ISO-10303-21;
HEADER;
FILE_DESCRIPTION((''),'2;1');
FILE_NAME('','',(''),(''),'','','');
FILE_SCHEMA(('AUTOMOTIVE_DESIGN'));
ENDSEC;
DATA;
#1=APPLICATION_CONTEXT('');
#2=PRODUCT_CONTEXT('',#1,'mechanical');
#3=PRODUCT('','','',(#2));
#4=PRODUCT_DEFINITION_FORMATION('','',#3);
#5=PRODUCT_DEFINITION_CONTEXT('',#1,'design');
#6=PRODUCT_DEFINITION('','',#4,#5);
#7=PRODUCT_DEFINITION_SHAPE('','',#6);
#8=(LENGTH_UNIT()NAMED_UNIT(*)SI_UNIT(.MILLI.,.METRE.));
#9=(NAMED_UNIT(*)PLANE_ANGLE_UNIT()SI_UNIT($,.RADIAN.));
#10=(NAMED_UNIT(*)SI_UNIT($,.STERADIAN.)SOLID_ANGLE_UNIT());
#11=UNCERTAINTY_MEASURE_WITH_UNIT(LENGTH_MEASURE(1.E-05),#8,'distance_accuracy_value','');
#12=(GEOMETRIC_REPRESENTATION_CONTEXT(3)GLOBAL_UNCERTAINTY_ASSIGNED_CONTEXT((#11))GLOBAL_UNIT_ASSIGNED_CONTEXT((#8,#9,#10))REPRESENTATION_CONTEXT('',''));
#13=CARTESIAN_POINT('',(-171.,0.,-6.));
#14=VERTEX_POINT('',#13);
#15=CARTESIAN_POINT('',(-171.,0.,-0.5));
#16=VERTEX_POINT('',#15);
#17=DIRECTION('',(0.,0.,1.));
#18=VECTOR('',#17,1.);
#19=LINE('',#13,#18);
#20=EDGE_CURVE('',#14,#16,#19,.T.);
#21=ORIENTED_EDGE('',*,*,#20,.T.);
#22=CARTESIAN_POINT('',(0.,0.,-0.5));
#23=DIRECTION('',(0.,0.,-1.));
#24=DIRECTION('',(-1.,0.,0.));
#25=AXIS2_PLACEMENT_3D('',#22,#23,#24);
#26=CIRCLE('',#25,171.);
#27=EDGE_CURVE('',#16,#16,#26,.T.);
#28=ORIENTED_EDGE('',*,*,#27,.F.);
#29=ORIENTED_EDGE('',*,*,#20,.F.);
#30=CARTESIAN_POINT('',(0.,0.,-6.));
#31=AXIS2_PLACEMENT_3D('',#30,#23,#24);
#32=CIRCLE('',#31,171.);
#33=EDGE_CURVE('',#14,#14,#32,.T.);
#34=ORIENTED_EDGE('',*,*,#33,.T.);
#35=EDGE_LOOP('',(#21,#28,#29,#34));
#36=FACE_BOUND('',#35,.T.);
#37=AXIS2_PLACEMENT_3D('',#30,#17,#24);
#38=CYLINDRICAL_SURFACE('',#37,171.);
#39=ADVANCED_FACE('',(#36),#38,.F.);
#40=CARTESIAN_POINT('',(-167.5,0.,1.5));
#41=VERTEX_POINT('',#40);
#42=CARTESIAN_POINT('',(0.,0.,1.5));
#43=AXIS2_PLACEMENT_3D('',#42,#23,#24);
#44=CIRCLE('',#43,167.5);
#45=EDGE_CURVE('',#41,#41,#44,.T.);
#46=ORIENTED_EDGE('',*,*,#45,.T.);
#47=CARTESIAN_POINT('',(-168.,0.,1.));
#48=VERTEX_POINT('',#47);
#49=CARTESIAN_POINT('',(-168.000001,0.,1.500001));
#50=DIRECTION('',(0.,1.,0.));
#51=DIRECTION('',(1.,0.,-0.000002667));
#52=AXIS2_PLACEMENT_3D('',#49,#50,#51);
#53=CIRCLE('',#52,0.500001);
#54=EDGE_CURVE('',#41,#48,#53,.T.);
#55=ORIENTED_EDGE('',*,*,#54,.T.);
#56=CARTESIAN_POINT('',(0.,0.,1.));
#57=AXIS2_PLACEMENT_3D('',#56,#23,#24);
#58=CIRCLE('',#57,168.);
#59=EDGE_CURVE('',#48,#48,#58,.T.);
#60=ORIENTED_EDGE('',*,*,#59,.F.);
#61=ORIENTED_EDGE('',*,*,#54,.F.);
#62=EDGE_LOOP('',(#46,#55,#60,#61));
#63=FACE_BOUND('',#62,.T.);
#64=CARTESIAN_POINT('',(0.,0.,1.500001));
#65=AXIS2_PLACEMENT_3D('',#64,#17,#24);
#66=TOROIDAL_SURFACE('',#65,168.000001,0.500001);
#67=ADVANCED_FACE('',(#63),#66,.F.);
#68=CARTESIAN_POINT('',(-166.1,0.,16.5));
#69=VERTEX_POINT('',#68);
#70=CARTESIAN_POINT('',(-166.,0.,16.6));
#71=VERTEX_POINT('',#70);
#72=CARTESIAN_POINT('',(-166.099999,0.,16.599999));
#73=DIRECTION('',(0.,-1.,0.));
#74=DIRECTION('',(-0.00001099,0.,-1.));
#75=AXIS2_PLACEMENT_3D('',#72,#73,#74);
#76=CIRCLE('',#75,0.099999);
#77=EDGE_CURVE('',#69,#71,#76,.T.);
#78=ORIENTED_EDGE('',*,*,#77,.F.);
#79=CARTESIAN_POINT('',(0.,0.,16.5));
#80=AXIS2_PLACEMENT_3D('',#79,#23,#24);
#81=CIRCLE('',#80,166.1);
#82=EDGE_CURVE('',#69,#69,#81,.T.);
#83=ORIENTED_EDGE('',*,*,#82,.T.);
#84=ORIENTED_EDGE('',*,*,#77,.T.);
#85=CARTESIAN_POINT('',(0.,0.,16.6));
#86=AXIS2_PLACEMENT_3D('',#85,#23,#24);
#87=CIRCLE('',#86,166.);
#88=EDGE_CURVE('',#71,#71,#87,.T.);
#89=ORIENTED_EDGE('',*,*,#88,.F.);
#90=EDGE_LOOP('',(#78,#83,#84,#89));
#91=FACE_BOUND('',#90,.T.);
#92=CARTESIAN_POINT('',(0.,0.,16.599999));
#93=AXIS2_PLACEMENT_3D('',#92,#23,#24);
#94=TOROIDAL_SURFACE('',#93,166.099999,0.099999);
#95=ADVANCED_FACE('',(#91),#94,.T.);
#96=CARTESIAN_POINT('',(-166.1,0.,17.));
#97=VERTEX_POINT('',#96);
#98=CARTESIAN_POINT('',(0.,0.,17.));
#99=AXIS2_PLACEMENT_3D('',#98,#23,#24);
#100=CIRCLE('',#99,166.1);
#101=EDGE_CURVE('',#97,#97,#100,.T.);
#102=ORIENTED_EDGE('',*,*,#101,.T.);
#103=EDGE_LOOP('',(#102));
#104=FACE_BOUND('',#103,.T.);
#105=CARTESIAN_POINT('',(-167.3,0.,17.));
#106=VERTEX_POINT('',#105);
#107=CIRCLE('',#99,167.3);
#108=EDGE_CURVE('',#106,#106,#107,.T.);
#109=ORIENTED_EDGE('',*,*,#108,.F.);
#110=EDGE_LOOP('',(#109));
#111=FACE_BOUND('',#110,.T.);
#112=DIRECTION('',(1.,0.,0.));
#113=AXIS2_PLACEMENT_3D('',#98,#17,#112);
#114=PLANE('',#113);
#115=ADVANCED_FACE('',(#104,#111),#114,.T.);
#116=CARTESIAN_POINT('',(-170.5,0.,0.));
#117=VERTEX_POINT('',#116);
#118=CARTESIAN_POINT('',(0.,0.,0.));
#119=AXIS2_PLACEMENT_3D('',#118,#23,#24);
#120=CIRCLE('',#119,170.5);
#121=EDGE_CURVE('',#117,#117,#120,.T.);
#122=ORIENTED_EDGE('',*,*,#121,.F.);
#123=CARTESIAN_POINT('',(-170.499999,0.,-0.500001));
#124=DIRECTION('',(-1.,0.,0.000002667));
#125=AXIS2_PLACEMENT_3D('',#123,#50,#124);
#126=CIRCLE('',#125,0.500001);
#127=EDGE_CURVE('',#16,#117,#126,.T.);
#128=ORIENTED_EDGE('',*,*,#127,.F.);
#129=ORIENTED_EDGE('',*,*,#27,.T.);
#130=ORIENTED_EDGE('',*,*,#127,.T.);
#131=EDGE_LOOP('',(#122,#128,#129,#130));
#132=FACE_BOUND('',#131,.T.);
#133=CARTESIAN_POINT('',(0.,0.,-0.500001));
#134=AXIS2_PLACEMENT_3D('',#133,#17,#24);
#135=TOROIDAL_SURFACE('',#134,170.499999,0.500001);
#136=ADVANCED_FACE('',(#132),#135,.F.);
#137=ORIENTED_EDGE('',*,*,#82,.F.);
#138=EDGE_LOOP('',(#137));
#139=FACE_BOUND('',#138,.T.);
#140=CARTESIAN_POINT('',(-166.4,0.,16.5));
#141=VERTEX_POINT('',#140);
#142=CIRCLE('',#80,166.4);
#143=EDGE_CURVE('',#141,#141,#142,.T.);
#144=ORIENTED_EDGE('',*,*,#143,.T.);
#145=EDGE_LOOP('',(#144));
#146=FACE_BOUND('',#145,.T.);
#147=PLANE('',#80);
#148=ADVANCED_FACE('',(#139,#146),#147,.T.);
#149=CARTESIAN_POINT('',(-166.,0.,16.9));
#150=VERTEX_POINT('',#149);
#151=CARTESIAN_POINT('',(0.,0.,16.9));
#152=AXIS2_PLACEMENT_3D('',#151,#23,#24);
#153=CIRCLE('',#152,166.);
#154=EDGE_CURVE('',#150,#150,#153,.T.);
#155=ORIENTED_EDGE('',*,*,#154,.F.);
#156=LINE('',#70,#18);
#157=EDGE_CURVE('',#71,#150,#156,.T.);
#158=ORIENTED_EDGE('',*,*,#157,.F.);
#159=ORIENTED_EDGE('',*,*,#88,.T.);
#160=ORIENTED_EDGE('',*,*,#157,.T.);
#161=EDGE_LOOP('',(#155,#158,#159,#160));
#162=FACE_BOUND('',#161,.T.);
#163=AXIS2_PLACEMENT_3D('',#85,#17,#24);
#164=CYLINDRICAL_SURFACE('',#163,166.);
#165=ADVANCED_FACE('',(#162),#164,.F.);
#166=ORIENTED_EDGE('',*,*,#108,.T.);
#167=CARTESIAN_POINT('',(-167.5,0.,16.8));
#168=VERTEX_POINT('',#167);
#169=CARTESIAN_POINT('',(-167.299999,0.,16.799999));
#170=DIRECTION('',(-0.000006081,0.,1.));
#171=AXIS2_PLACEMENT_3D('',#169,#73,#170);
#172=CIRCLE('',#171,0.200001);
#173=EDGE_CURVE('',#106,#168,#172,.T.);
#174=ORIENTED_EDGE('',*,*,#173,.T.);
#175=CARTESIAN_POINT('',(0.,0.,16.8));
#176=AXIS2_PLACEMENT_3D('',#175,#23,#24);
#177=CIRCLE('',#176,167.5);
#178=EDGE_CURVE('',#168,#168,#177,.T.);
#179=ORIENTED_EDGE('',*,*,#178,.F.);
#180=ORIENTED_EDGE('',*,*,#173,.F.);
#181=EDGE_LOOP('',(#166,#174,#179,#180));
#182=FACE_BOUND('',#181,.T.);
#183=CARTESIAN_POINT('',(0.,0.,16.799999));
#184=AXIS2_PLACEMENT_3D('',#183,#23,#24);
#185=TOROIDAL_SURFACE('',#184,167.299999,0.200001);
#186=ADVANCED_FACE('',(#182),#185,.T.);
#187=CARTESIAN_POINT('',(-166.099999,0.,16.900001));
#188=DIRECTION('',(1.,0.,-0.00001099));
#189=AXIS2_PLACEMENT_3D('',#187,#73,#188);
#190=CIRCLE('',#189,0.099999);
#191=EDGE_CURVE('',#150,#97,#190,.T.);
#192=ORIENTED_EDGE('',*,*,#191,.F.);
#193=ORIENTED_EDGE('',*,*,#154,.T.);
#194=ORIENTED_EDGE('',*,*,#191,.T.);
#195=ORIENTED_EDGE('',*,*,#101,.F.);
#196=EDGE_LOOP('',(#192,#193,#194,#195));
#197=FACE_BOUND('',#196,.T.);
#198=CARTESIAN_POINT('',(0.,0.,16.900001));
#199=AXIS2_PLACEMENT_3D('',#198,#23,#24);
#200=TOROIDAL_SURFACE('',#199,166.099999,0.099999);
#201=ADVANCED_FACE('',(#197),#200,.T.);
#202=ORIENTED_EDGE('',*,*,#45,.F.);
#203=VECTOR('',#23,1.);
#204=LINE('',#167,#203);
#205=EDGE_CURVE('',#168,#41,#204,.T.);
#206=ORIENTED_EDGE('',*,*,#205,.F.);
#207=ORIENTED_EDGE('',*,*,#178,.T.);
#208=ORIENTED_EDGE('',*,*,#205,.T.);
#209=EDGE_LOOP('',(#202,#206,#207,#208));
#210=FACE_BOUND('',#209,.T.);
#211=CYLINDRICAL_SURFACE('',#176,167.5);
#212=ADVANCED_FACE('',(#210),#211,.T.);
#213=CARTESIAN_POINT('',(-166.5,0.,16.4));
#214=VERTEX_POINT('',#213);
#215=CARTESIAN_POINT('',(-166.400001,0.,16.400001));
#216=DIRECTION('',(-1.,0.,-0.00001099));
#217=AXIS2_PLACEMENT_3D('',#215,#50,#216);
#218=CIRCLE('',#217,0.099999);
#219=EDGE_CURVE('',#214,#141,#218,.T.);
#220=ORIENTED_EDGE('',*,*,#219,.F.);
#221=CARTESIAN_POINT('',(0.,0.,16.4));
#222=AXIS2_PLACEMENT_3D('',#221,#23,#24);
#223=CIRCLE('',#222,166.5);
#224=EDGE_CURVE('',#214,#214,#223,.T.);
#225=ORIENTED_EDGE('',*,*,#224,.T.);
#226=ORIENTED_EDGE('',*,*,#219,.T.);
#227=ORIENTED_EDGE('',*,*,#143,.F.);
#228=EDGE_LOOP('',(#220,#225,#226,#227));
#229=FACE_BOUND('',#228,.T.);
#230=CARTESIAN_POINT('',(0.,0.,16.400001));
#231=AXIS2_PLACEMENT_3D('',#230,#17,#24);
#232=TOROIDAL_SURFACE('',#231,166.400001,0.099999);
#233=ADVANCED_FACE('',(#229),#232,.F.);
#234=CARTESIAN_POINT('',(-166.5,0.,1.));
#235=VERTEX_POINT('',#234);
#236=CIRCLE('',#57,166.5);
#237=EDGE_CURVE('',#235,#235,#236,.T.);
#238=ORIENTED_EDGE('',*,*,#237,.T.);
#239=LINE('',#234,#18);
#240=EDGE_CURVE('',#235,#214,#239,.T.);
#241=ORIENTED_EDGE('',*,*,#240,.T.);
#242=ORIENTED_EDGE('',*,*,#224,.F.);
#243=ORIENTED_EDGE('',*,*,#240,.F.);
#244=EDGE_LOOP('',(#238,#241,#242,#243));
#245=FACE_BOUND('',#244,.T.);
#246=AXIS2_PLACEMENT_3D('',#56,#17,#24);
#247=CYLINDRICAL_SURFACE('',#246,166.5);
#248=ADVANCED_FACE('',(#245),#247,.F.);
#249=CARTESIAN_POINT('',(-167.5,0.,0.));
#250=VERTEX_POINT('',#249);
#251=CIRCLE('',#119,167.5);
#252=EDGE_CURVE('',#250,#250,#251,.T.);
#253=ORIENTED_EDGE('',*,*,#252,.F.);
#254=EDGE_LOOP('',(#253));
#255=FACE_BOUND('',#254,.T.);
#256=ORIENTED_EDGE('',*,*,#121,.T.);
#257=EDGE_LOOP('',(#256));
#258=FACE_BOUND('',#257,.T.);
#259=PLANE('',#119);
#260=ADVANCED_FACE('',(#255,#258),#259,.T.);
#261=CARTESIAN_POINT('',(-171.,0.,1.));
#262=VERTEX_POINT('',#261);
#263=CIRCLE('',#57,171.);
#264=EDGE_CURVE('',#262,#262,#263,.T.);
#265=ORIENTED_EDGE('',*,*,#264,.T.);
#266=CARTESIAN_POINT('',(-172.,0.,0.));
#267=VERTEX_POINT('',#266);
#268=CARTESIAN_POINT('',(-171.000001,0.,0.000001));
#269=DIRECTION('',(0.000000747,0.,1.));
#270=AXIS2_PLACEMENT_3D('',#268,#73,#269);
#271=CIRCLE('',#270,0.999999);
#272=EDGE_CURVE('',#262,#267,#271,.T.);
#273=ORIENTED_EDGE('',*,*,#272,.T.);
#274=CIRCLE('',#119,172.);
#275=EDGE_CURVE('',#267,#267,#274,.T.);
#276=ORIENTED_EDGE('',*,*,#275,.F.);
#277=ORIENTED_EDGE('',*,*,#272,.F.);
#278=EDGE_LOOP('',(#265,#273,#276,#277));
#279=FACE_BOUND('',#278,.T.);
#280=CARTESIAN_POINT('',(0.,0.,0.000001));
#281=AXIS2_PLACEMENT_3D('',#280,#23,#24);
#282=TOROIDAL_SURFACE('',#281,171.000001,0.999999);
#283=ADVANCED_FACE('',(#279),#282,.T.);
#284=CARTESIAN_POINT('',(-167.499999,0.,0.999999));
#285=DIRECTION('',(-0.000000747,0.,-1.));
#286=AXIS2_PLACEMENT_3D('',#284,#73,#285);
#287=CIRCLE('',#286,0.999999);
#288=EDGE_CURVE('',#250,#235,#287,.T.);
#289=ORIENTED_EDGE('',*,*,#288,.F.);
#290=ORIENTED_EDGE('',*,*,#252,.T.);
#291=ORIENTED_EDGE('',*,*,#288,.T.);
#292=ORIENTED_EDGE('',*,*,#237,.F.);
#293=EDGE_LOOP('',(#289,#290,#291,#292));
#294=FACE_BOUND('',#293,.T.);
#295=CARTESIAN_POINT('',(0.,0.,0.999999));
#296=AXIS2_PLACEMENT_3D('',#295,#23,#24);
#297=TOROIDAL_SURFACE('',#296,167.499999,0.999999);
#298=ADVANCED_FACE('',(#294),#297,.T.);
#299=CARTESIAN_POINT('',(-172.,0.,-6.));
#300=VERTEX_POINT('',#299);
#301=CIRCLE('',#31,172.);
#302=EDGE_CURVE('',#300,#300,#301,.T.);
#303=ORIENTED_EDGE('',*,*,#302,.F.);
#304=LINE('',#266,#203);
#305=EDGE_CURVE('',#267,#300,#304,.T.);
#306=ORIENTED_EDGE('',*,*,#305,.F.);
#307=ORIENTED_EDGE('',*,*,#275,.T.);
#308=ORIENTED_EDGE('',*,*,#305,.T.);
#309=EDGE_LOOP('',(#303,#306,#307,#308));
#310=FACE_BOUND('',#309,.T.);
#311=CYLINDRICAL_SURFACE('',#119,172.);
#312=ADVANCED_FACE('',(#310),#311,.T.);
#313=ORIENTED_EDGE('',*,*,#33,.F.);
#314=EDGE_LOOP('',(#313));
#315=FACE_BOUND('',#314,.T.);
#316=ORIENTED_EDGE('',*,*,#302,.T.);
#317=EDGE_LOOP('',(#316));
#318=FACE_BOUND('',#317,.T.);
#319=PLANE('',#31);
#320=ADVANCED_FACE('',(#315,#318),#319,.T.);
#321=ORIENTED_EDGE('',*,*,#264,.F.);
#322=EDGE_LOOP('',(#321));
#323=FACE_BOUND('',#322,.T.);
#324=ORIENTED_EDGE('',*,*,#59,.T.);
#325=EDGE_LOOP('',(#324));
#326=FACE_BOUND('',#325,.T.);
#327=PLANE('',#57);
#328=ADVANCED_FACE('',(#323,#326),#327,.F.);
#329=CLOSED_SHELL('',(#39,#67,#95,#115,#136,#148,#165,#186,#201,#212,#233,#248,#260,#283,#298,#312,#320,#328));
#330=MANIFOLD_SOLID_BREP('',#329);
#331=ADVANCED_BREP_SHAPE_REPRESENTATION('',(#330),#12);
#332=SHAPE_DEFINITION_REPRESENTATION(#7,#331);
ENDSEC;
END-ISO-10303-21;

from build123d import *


with BuildPart() as f1:
    # F0 (on Front) → F1 (revolve)
    with BuildSketch(Plane.XZ):
        with BuildLine():
            Line((-166.5, 1), (-166.5, 16.4))
            ThreePointArc((-166.5, 16.4), (-166.470711, 16.470711), (-166.4, 16.5))
            Line((-166.4, 16.5), (-166.1, 16.5))
            ThreePointArc((-166.1, 16.5), (-166.029289, 16.529289), (-166, 16.6))
            Line((-166, 16.6), (-166, 16.9))
            ThreePointArc((-166, 16.9), (-166.029289, 16.970711), (-166.1, 17))
            Line((-166.1, 17), (-166.7, 17))
            Line((-166.7, 17), (-167.3, 17))
            ThreePointArc((-167.3, 17), (-167.441421, 16.941421), (-167.5, 16.8))
            Line((-167.5, 16.8), (-167.5, 1.5))
            ThreePointArc((-167.5, 1.5), (-167.646447, 1.146447), (-168, 1))
            Line((-168, 1), (-171, 1))
            ThreePointArc((-171, 1), (-171.707107, 0.707107), (-172, 0))
            Line((-172, 0), (-172, -6))
            Line((-172, -6), (-171, -6))
            Line((-171, -6), (-171, -0.5))
            ThreePointArc((-171, -0.5), (-170.853553, -0.146447), (-170.5, 0))
            Line((-170.5, 0), (-167.5, 0))
            ThreePointArc((-167.5, 0), (-166.792893, 0.292893), (-166.5, 1))
        make_face()
    revolve(axis=Axis((0, 0, 3.180012), (0, 0, -1)))


solid = f1.part
